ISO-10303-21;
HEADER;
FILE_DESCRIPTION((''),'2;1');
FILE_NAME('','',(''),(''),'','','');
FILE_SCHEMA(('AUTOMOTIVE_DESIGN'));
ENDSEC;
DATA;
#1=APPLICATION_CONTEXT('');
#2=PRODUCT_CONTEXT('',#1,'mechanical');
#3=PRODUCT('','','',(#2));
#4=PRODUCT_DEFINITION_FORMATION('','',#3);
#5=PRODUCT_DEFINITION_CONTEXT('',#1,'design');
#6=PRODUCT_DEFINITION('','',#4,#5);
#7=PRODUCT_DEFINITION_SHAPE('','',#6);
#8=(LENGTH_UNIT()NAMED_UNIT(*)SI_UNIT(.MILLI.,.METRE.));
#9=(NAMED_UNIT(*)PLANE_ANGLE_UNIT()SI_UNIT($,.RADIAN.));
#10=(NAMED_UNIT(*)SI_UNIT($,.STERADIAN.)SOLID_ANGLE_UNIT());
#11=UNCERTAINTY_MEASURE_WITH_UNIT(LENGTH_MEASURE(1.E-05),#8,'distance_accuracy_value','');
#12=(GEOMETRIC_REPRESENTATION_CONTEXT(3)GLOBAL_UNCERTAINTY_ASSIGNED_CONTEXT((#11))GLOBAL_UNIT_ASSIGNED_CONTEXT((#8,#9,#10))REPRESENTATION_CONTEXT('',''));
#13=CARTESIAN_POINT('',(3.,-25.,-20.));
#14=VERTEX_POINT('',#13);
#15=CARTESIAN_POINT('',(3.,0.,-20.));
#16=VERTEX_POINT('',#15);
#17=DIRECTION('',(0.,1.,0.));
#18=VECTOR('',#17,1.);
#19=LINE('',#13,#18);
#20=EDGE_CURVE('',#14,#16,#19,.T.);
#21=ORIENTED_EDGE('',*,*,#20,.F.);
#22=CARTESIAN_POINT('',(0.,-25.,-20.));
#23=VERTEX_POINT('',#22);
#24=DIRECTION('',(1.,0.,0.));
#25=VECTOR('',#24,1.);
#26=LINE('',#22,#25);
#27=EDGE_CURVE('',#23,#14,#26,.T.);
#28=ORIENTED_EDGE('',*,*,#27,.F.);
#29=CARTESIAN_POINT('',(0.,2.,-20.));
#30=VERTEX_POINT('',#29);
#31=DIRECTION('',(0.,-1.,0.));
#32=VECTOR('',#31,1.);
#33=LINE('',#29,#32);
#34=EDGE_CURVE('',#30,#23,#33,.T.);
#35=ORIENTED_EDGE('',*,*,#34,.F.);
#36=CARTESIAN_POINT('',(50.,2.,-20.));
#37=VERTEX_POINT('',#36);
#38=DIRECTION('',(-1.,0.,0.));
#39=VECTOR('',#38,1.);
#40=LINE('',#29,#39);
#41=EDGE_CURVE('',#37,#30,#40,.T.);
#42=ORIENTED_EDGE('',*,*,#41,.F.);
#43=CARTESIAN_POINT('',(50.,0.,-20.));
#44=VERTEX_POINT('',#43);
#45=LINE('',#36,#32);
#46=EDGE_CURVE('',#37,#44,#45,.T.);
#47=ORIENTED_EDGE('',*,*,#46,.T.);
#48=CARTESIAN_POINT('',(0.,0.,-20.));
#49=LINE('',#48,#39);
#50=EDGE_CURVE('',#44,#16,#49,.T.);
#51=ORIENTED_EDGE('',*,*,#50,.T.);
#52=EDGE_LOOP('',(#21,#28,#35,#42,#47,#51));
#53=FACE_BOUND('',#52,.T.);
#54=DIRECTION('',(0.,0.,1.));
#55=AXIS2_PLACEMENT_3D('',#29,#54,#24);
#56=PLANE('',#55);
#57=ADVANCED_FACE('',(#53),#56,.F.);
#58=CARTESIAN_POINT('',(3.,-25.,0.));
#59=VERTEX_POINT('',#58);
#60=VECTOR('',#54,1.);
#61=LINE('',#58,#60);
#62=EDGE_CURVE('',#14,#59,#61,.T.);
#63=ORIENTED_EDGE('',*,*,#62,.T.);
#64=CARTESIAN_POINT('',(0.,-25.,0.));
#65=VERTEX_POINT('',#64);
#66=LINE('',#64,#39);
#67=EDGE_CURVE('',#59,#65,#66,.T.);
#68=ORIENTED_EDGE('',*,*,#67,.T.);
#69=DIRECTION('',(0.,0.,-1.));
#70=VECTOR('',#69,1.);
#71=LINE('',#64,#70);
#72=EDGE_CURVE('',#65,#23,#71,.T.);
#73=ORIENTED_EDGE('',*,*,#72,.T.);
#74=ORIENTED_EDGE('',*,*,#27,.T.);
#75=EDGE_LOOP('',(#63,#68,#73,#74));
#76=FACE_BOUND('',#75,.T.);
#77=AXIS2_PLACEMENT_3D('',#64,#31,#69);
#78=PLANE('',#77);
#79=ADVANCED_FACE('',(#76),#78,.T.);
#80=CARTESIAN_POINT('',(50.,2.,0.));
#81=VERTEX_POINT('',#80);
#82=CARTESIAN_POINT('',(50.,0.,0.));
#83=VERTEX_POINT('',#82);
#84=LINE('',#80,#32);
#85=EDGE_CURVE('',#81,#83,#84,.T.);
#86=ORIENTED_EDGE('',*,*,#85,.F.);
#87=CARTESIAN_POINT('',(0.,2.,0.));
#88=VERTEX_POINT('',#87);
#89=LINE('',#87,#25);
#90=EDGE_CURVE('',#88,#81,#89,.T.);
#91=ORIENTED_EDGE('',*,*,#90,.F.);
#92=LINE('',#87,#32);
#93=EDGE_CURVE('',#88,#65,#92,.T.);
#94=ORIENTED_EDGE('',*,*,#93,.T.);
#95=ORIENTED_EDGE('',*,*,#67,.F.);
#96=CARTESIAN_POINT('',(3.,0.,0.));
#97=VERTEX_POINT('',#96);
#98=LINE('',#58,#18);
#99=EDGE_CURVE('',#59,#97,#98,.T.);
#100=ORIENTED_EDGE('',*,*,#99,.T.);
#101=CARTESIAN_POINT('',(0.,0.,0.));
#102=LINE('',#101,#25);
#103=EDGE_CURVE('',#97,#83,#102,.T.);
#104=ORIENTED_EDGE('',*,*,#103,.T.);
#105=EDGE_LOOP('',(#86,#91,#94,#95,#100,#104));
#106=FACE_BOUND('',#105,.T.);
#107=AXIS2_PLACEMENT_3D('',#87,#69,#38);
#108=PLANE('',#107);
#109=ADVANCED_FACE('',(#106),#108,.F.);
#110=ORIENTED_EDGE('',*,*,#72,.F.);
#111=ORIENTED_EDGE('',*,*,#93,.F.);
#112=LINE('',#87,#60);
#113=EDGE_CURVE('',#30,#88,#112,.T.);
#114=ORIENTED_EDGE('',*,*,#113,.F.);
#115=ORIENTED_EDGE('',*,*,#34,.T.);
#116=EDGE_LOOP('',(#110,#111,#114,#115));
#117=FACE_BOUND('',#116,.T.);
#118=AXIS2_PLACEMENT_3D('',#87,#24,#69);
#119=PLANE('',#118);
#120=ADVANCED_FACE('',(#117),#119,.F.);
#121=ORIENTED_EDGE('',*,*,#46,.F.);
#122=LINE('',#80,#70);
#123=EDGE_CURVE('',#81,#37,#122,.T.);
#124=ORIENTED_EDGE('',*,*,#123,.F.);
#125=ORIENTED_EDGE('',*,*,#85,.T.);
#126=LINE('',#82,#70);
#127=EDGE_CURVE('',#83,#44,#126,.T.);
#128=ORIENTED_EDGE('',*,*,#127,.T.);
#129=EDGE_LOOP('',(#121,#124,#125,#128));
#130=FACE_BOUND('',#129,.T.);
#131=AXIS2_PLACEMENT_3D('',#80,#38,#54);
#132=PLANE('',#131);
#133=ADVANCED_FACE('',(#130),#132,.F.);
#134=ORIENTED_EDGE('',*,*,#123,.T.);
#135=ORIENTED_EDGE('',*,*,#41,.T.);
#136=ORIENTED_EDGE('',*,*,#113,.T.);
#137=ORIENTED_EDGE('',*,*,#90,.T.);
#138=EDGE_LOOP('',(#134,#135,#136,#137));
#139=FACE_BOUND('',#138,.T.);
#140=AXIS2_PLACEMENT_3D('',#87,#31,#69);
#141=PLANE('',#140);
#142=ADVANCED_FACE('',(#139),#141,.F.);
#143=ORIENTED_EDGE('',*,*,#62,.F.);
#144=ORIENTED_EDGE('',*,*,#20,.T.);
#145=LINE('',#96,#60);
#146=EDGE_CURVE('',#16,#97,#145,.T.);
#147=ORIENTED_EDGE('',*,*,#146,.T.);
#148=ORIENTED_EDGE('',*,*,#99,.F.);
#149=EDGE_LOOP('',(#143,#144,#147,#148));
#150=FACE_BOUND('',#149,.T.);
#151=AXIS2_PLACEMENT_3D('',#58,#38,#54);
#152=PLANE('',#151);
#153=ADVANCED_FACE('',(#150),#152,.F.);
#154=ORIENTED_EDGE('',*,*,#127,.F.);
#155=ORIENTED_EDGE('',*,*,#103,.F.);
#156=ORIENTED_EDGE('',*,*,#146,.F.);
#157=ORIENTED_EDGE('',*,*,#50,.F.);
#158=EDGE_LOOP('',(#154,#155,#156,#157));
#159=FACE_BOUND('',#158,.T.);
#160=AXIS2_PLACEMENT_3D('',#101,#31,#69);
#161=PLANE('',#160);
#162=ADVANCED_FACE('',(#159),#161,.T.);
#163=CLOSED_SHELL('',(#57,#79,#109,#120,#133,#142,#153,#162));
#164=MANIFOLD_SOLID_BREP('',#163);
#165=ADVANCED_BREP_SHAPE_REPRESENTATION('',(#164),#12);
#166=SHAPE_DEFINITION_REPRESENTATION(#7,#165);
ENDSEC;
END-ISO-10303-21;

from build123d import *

# Parameters (mm, degrees)
SKETCH1_W           = 50
SKETCH1_H           = 20
BOSS_EXTRUDE1_DEPTH = 2
SKETCH2_W           = 3
SKETCH2_H           = 20
BOSS_EXTRUDE2_DEPTH = 25


with BuildPart() as part:
    # Sketch1 → Boss-Extrude1 (new body)
    with BuildSketch(Plane(origin=(0, 0, 0), x_dir=(1, 0, 0), z_dir=(0, 1, 0))):
        with Locations((25, 10)):
            Rectangle(SKETCH1_W, SKETCH1_H)
    extrude(amount=BOSS_EXTRUDE1_DEPTH)

    # Sketch2 → Boss-Extrude2 (add)
    with BuildSketch(Plane.XZ):
        with Locations((1.5, -10)):
            Rectangle(SKETCH2_W, SKETCH2_H)
    extrude(amount=BOSS_EXTRUDE2_DEPTH)


solid = part.part
